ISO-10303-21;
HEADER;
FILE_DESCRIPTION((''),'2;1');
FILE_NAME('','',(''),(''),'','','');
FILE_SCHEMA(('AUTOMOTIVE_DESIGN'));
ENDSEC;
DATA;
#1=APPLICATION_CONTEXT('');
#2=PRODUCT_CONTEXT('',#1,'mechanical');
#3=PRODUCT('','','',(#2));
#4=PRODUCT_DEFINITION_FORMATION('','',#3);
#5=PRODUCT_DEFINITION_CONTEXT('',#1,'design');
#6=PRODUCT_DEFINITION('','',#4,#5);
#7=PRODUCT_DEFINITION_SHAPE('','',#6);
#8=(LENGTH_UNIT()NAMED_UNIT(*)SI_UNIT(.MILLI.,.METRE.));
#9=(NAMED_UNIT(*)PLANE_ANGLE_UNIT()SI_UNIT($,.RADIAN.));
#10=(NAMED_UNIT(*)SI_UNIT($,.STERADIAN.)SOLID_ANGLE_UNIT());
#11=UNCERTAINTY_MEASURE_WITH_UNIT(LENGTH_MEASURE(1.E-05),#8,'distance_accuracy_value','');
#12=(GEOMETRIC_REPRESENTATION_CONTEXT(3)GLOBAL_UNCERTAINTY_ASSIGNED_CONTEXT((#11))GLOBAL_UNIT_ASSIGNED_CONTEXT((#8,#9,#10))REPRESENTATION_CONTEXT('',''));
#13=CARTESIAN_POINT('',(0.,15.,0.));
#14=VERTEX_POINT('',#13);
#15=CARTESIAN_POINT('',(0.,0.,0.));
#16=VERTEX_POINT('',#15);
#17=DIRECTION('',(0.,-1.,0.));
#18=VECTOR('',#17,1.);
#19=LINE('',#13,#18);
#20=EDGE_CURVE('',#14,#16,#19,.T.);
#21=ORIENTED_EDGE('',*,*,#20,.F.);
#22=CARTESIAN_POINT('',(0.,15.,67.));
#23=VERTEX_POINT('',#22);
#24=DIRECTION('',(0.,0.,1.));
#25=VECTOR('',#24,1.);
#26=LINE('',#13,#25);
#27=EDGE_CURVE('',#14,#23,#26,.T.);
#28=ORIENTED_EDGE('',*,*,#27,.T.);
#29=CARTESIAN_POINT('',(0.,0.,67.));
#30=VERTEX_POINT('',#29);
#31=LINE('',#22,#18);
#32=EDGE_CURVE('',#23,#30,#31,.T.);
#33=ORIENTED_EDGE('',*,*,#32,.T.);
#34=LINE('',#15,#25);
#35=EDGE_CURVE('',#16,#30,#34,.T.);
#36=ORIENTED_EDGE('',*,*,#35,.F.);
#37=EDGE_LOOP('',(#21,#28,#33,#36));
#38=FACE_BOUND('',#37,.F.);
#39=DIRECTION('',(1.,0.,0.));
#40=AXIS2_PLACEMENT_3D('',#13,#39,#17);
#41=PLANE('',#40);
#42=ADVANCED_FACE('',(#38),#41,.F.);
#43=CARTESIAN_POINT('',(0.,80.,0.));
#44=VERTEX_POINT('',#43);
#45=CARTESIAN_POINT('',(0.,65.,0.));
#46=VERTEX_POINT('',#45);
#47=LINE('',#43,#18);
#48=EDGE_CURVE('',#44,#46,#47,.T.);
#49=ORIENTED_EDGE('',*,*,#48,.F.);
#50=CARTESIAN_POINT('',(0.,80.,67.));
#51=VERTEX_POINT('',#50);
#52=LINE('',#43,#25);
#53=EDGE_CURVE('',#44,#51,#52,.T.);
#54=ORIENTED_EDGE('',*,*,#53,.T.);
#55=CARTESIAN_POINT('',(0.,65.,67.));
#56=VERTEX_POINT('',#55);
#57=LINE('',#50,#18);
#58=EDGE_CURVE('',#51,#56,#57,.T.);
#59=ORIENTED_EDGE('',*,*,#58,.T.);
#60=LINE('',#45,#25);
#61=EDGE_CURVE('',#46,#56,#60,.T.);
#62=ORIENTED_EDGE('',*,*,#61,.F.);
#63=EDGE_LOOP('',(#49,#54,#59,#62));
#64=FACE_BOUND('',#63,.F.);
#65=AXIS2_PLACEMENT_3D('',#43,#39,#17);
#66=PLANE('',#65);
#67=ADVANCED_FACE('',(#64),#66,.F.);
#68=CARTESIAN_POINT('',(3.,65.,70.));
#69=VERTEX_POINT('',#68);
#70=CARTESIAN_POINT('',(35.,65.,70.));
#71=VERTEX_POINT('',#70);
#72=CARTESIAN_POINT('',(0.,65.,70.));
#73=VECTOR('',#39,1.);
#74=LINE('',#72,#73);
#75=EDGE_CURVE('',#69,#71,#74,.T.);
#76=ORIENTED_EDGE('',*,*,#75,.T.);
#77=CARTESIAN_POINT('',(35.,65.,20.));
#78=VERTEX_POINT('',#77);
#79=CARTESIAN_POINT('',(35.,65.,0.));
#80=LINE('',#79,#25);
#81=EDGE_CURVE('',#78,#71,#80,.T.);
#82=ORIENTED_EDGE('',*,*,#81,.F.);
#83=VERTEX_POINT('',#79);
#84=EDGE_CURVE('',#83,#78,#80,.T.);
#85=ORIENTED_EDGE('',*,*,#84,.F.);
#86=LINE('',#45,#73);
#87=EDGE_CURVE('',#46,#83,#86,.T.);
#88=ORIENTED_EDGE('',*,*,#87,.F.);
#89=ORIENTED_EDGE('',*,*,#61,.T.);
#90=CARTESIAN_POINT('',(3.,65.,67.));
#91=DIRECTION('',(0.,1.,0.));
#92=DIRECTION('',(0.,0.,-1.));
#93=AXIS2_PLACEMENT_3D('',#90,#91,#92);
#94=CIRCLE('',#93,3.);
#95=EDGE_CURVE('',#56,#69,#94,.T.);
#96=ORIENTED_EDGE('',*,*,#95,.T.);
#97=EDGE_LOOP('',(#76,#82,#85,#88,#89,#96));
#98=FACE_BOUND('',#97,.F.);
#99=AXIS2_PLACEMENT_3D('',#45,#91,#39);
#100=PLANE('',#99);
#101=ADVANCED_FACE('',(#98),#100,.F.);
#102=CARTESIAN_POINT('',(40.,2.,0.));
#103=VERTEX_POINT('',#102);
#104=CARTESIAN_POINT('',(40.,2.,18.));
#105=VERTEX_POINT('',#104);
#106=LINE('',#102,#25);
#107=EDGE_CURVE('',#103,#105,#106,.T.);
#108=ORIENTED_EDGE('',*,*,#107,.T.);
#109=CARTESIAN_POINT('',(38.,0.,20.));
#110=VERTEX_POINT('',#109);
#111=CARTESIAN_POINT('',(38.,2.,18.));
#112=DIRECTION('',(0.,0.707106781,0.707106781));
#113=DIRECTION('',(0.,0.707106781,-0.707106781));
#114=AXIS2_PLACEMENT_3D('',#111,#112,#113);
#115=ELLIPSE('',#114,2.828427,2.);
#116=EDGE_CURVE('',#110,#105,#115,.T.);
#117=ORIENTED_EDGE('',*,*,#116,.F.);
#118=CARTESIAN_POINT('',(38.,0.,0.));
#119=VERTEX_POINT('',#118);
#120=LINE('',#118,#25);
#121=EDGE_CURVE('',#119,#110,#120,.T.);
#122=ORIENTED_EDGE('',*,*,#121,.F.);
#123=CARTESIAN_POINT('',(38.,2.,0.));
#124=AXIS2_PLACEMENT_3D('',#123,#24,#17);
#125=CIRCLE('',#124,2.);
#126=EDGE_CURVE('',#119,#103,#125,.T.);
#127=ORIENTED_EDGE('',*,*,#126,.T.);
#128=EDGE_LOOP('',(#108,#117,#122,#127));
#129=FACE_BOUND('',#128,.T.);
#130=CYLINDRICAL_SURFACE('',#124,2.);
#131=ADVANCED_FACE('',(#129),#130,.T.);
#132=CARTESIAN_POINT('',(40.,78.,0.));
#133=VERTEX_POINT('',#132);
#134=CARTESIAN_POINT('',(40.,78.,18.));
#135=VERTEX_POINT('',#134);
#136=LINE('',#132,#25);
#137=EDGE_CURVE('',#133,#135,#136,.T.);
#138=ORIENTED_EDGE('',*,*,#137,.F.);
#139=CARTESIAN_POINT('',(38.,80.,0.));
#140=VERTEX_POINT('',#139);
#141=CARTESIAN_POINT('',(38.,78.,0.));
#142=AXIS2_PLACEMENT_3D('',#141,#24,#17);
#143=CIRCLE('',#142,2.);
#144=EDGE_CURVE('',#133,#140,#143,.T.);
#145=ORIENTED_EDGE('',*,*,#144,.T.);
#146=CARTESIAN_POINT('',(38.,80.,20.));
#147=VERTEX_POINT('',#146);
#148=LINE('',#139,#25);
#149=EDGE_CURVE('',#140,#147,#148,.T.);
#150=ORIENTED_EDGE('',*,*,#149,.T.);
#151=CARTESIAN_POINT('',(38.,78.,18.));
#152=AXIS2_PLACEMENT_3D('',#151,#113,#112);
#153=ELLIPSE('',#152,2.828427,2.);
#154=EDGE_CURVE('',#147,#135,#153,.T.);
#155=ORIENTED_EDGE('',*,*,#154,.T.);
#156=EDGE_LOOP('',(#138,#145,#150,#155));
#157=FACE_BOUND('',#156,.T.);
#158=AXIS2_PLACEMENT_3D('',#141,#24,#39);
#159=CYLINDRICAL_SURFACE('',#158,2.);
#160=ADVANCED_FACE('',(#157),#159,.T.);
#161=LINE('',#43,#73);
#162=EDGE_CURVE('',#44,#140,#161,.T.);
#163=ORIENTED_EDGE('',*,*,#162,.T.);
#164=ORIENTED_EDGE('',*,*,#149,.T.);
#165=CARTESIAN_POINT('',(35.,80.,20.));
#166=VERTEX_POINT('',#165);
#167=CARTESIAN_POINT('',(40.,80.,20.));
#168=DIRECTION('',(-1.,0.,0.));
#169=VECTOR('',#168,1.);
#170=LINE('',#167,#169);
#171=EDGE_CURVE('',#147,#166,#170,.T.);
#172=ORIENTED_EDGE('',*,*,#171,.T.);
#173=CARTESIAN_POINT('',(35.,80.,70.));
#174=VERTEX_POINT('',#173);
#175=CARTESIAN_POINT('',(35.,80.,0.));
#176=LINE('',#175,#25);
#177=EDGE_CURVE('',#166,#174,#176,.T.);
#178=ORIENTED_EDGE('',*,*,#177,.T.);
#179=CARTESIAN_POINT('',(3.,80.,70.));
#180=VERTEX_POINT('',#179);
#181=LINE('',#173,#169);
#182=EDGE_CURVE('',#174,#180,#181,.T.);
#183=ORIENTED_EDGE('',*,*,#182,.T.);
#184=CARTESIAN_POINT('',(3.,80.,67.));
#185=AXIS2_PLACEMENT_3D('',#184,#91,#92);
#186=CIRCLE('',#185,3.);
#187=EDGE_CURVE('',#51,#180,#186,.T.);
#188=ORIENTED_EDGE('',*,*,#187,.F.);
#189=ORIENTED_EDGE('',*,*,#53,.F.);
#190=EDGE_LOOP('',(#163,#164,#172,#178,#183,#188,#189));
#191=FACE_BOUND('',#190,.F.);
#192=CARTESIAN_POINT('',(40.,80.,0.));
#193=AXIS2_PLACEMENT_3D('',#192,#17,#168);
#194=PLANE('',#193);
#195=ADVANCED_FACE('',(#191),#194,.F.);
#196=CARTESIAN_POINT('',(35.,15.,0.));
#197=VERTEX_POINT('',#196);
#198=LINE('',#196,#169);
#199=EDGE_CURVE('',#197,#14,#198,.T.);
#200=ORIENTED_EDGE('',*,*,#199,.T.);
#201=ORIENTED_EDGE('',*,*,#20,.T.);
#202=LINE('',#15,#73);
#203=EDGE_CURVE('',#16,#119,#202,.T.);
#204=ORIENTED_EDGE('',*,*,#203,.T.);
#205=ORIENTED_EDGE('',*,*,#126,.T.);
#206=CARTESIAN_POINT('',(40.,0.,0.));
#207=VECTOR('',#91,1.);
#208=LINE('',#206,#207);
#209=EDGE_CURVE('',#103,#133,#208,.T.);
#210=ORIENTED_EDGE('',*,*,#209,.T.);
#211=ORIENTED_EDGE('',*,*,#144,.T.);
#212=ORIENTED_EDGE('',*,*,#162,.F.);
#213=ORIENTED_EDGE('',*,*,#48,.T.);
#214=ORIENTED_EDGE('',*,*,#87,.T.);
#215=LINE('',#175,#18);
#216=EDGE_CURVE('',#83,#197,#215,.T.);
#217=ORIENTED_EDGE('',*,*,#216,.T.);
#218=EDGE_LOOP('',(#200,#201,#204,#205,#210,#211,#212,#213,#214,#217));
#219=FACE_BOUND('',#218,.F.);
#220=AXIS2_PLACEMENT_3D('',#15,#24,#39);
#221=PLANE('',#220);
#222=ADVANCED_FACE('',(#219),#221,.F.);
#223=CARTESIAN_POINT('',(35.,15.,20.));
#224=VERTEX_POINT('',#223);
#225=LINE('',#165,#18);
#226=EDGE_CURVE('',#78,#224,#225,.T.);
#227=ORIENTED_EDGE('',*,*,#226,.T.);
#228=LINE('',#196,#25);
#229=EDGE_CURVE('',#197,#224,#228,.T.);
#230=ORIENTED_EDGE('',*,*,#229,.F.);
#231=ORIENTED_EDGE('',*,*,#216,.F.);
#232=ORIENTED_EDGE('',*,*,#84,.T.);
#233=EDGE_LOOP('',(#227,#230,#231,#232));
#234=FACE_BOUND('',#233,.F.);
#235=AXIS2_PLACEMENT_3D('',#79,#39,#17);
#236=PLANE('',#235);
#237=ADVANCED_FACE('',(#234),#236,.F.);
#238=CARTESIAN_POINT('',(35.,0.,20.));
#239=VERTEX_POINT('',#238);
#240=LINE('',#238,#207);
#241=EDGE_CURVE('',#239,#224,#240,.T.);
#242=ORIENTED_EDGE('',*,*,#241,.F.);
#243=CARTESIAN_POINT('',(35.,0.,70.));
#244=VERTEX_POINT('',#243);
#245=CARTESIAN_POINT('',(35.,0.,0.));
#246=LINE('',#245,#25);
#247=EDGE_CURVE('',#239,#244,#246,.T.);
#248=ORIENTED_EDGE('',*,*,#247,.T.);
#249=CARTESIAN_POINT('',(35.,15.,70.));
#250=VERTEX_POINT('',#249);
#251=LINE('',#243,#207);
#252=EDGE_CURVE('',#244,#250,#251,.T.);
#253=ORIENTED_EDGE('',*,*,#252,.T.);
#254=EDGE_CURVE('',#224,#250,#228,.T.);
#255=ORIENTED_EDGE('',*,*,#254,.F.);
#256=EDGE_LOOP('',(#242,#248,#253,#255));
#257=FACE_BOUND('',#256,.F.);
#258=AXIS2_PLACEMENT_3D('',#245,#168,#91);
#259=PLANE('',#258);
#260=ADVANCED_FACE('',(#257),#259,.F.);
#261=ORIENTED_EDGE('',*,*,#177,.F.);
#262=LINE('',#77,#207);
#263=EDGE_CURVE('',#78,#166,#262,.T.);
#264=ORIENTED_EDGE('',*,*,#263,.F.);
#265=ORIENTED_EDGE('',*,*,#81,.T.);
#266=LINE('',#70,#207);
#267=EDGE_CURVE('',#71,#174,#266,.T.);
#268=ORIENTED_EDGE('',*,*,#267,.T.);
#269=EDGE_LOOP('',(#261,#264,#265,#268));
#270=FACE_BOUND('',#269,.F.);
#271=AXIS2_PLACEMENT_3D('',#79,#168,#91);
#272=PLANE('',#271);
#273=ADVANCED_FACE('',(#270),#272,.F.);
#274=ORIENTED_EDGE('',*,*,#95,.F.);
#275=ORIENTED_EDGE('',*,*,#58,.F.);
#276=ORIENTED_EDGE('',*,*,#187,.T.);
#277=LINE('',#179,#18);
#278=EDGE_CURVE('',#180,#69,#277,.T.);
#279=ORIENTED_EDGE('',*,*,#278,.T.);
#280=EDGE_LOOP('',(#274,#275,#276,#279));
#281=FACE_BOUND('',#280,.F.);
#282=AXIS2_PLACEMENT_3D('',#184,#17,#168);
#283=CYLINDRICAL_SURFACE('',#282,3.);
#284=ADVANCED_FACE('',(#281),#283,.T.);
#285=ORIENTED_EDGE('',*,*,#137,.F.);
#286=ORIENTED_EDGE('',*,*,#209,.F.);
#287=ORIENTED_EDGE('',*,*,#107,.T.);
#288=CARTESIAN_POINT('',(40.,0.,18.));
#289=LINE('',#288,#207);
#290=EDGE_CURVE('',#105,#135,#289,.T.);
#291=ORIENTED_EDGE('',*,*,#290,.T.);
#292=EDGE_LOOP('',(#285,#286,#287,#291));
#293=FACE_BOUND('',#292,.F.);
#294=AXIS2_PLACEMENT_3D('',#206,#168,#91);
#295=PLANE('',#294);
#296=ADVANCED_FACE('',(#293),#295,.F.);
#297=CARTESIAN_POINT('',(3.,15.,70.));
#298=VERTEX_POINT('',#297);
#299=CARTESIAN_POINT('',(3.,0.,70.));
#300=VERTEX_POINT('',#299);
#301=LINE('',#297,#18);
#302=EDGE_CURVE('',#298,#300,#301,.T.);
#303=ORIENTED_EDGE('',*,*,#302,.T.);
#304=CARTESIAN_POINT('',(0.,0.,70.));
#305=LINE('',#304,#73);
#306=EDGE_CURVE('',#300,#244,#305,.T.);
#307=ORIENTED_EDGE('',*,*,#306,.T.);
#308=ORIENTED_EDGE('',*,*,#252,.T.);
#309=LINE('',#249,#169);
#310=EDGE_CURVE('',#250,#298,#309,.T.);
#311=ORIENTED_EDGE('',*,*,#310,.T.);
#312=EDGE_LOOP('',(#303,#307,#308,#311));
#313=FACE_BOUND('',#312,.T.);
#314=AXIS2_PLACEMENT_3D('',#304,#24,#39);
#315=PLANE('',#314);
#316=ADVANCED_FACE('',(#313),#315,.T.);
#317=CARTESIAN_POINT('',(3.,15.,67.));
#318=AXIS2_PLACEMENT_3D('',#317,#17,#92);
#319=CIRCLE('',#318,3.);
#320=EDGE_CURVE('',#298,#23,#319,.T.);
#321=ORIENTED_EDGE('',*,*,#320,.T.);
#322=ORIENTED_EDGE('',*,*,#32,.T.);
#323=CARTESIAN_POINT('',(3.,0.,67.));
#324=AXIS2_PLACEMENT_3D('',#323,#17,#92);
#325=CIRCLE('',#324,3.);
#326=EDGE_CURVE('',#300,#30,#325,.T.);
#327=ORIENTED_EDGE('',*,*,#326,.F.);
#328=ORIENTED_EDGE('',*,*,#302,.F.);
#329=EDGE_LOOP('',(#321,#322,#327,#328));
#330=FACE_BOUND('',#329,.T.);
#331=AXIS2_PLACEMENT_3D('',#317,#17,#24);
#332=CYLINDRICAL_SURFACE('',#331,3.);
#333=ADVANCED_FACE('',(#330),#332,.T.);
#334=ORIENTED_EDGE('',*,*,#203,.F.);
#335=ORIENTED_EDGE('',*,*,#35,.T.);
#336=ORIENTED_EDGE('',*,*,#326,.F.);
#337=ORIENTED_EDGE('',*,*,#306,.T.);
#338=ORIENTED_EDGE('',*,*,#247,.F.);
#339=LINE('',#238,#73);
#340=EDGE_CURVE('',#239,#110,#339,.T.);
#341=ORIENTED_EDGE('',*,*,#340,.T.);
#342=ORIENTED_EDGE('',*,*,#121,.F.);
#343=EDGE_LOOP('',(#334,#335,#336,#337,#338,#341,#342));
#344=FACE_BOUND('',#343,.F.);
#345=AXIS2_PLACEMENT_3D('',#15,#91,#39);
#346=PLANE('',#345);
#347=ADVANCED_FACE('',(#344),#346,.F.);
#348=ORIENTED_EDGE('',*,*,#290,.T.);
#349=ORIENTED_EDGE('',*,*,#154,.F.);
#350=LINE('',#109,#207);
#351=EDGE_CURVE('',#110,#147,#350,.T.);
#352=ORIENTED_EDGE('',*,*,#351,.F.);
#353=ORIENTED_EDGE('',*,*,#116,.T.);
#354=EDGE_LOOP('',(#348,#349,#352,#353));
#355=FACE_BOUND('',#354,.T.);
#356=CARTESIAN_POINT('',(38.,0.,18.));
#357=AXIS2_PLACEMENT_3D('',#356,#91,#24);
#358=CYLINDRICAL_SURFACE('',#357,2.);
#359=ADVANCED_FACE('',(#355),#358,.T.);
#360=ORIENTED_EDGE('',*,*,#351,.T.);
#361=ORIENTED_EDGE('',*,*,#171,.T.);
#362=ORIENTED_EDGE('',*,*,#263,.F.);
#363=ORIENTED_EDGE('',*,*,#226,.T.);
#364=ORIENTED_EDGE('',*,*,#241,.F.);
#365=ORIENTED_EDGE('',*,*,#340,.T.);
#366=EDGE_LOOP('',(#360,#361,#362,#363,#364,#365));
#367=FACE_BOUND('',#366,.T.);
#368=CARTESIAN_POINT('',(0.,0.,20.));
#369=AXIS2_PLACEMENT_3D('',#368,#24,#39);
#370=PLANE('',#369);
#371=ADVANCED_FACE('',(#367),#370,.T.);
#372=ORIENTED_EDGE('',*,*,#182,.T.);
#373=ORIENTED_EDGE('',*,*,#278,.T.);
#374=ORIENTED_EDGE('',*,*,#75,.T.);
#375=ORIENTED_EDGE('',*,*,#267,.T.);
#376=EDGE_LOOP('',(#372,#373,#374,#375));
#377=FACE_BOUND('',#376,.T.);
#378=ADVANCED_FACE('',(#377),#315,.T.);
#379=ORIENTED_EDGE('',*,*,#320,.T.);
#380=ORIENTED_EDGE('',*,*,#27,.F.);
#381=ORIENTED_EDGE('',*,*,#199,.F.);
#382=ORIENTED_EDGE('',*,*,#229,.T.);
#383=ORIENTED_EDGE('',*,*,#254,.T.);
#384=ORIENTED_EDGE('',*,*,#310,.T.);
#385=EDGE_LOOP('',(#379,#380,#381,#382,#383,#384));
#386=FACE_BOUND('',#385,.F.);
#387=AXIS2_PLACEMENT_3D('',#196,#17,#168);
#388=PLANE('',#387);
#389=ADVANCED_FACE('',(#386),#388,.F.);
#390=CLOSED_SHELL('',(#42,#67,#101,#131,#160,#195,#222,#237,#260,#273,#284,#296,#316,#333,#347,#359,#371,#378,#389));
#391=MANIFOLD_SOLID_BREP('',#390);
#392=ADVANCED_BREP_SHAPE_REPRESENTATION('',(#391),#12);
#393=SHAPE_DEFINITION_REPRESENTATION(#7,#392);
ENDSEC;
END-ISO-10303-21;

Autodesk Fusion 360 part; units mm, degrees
sketch "Sketch1" plane through (0, 0, 0) normal (0, 0, 1) x (1, 0, 0) in component "Spacer"
  line L0 (0, 0) -> (35, 0)
  line L1 (35, 0) -> (35, 15)
  line L2 (35, 15) -> (0, 15)
  line L3 (0, 15) -> (0, 0)
  line L4 (0, 65) -> (35, 65)
  line L5 (35, 65) -> (35, 80)
  line L6 (35, 80) -> (0, 80)
  line L7 (0, 80) -> (0, 65)
  line L8 (35, 0) -> (40, 0)
  line L9 (40, 0) -> (40, 80)
  line L10 (40, 80) -> (35, 80)
  line L11 (35, 80) -> (35, 0)
  dimension "d1" = 35
  dimension "d2" = 15
  dimension "d3" = 35
  dimension "d4" = 15
  dimension "d5" = 50
  dimension "d6" = 35
  dimension "d7" = 5
  dimension "d8" = 80
extrude "Extrude1" add sketch "Sketch1" along normal blind 70 contours L0 L1 L2 L3 L11 | L4 L5 L6 L7 L11 makes body 1 at (23.3333, 15, 46.6667) makes body 2 at (11.6667, 65, 46.6667) in component "Spacer"
extrude "Extrude2" add sketch "Sketch1" along normal blind 20 contours L1 L5 L8 L9 L10 L11 bodies 1 2 in component "Spacer"
fillet "Fillet1" radius 2 3 edges at (40, 40, 20) (40, 0, 10) (40, 80, 10) on bodies 1 in component "Spacer"
fillet "Fillet2" radius 3 2 edges at (0, 72.5, 70) (0, 7.5, 70) on bodies 1 in component "Spacer"
component "Spacer" placed x (1, 0, 0) y (0, 1, 0) z (0, 0, 1) at (0, 0, 0)
